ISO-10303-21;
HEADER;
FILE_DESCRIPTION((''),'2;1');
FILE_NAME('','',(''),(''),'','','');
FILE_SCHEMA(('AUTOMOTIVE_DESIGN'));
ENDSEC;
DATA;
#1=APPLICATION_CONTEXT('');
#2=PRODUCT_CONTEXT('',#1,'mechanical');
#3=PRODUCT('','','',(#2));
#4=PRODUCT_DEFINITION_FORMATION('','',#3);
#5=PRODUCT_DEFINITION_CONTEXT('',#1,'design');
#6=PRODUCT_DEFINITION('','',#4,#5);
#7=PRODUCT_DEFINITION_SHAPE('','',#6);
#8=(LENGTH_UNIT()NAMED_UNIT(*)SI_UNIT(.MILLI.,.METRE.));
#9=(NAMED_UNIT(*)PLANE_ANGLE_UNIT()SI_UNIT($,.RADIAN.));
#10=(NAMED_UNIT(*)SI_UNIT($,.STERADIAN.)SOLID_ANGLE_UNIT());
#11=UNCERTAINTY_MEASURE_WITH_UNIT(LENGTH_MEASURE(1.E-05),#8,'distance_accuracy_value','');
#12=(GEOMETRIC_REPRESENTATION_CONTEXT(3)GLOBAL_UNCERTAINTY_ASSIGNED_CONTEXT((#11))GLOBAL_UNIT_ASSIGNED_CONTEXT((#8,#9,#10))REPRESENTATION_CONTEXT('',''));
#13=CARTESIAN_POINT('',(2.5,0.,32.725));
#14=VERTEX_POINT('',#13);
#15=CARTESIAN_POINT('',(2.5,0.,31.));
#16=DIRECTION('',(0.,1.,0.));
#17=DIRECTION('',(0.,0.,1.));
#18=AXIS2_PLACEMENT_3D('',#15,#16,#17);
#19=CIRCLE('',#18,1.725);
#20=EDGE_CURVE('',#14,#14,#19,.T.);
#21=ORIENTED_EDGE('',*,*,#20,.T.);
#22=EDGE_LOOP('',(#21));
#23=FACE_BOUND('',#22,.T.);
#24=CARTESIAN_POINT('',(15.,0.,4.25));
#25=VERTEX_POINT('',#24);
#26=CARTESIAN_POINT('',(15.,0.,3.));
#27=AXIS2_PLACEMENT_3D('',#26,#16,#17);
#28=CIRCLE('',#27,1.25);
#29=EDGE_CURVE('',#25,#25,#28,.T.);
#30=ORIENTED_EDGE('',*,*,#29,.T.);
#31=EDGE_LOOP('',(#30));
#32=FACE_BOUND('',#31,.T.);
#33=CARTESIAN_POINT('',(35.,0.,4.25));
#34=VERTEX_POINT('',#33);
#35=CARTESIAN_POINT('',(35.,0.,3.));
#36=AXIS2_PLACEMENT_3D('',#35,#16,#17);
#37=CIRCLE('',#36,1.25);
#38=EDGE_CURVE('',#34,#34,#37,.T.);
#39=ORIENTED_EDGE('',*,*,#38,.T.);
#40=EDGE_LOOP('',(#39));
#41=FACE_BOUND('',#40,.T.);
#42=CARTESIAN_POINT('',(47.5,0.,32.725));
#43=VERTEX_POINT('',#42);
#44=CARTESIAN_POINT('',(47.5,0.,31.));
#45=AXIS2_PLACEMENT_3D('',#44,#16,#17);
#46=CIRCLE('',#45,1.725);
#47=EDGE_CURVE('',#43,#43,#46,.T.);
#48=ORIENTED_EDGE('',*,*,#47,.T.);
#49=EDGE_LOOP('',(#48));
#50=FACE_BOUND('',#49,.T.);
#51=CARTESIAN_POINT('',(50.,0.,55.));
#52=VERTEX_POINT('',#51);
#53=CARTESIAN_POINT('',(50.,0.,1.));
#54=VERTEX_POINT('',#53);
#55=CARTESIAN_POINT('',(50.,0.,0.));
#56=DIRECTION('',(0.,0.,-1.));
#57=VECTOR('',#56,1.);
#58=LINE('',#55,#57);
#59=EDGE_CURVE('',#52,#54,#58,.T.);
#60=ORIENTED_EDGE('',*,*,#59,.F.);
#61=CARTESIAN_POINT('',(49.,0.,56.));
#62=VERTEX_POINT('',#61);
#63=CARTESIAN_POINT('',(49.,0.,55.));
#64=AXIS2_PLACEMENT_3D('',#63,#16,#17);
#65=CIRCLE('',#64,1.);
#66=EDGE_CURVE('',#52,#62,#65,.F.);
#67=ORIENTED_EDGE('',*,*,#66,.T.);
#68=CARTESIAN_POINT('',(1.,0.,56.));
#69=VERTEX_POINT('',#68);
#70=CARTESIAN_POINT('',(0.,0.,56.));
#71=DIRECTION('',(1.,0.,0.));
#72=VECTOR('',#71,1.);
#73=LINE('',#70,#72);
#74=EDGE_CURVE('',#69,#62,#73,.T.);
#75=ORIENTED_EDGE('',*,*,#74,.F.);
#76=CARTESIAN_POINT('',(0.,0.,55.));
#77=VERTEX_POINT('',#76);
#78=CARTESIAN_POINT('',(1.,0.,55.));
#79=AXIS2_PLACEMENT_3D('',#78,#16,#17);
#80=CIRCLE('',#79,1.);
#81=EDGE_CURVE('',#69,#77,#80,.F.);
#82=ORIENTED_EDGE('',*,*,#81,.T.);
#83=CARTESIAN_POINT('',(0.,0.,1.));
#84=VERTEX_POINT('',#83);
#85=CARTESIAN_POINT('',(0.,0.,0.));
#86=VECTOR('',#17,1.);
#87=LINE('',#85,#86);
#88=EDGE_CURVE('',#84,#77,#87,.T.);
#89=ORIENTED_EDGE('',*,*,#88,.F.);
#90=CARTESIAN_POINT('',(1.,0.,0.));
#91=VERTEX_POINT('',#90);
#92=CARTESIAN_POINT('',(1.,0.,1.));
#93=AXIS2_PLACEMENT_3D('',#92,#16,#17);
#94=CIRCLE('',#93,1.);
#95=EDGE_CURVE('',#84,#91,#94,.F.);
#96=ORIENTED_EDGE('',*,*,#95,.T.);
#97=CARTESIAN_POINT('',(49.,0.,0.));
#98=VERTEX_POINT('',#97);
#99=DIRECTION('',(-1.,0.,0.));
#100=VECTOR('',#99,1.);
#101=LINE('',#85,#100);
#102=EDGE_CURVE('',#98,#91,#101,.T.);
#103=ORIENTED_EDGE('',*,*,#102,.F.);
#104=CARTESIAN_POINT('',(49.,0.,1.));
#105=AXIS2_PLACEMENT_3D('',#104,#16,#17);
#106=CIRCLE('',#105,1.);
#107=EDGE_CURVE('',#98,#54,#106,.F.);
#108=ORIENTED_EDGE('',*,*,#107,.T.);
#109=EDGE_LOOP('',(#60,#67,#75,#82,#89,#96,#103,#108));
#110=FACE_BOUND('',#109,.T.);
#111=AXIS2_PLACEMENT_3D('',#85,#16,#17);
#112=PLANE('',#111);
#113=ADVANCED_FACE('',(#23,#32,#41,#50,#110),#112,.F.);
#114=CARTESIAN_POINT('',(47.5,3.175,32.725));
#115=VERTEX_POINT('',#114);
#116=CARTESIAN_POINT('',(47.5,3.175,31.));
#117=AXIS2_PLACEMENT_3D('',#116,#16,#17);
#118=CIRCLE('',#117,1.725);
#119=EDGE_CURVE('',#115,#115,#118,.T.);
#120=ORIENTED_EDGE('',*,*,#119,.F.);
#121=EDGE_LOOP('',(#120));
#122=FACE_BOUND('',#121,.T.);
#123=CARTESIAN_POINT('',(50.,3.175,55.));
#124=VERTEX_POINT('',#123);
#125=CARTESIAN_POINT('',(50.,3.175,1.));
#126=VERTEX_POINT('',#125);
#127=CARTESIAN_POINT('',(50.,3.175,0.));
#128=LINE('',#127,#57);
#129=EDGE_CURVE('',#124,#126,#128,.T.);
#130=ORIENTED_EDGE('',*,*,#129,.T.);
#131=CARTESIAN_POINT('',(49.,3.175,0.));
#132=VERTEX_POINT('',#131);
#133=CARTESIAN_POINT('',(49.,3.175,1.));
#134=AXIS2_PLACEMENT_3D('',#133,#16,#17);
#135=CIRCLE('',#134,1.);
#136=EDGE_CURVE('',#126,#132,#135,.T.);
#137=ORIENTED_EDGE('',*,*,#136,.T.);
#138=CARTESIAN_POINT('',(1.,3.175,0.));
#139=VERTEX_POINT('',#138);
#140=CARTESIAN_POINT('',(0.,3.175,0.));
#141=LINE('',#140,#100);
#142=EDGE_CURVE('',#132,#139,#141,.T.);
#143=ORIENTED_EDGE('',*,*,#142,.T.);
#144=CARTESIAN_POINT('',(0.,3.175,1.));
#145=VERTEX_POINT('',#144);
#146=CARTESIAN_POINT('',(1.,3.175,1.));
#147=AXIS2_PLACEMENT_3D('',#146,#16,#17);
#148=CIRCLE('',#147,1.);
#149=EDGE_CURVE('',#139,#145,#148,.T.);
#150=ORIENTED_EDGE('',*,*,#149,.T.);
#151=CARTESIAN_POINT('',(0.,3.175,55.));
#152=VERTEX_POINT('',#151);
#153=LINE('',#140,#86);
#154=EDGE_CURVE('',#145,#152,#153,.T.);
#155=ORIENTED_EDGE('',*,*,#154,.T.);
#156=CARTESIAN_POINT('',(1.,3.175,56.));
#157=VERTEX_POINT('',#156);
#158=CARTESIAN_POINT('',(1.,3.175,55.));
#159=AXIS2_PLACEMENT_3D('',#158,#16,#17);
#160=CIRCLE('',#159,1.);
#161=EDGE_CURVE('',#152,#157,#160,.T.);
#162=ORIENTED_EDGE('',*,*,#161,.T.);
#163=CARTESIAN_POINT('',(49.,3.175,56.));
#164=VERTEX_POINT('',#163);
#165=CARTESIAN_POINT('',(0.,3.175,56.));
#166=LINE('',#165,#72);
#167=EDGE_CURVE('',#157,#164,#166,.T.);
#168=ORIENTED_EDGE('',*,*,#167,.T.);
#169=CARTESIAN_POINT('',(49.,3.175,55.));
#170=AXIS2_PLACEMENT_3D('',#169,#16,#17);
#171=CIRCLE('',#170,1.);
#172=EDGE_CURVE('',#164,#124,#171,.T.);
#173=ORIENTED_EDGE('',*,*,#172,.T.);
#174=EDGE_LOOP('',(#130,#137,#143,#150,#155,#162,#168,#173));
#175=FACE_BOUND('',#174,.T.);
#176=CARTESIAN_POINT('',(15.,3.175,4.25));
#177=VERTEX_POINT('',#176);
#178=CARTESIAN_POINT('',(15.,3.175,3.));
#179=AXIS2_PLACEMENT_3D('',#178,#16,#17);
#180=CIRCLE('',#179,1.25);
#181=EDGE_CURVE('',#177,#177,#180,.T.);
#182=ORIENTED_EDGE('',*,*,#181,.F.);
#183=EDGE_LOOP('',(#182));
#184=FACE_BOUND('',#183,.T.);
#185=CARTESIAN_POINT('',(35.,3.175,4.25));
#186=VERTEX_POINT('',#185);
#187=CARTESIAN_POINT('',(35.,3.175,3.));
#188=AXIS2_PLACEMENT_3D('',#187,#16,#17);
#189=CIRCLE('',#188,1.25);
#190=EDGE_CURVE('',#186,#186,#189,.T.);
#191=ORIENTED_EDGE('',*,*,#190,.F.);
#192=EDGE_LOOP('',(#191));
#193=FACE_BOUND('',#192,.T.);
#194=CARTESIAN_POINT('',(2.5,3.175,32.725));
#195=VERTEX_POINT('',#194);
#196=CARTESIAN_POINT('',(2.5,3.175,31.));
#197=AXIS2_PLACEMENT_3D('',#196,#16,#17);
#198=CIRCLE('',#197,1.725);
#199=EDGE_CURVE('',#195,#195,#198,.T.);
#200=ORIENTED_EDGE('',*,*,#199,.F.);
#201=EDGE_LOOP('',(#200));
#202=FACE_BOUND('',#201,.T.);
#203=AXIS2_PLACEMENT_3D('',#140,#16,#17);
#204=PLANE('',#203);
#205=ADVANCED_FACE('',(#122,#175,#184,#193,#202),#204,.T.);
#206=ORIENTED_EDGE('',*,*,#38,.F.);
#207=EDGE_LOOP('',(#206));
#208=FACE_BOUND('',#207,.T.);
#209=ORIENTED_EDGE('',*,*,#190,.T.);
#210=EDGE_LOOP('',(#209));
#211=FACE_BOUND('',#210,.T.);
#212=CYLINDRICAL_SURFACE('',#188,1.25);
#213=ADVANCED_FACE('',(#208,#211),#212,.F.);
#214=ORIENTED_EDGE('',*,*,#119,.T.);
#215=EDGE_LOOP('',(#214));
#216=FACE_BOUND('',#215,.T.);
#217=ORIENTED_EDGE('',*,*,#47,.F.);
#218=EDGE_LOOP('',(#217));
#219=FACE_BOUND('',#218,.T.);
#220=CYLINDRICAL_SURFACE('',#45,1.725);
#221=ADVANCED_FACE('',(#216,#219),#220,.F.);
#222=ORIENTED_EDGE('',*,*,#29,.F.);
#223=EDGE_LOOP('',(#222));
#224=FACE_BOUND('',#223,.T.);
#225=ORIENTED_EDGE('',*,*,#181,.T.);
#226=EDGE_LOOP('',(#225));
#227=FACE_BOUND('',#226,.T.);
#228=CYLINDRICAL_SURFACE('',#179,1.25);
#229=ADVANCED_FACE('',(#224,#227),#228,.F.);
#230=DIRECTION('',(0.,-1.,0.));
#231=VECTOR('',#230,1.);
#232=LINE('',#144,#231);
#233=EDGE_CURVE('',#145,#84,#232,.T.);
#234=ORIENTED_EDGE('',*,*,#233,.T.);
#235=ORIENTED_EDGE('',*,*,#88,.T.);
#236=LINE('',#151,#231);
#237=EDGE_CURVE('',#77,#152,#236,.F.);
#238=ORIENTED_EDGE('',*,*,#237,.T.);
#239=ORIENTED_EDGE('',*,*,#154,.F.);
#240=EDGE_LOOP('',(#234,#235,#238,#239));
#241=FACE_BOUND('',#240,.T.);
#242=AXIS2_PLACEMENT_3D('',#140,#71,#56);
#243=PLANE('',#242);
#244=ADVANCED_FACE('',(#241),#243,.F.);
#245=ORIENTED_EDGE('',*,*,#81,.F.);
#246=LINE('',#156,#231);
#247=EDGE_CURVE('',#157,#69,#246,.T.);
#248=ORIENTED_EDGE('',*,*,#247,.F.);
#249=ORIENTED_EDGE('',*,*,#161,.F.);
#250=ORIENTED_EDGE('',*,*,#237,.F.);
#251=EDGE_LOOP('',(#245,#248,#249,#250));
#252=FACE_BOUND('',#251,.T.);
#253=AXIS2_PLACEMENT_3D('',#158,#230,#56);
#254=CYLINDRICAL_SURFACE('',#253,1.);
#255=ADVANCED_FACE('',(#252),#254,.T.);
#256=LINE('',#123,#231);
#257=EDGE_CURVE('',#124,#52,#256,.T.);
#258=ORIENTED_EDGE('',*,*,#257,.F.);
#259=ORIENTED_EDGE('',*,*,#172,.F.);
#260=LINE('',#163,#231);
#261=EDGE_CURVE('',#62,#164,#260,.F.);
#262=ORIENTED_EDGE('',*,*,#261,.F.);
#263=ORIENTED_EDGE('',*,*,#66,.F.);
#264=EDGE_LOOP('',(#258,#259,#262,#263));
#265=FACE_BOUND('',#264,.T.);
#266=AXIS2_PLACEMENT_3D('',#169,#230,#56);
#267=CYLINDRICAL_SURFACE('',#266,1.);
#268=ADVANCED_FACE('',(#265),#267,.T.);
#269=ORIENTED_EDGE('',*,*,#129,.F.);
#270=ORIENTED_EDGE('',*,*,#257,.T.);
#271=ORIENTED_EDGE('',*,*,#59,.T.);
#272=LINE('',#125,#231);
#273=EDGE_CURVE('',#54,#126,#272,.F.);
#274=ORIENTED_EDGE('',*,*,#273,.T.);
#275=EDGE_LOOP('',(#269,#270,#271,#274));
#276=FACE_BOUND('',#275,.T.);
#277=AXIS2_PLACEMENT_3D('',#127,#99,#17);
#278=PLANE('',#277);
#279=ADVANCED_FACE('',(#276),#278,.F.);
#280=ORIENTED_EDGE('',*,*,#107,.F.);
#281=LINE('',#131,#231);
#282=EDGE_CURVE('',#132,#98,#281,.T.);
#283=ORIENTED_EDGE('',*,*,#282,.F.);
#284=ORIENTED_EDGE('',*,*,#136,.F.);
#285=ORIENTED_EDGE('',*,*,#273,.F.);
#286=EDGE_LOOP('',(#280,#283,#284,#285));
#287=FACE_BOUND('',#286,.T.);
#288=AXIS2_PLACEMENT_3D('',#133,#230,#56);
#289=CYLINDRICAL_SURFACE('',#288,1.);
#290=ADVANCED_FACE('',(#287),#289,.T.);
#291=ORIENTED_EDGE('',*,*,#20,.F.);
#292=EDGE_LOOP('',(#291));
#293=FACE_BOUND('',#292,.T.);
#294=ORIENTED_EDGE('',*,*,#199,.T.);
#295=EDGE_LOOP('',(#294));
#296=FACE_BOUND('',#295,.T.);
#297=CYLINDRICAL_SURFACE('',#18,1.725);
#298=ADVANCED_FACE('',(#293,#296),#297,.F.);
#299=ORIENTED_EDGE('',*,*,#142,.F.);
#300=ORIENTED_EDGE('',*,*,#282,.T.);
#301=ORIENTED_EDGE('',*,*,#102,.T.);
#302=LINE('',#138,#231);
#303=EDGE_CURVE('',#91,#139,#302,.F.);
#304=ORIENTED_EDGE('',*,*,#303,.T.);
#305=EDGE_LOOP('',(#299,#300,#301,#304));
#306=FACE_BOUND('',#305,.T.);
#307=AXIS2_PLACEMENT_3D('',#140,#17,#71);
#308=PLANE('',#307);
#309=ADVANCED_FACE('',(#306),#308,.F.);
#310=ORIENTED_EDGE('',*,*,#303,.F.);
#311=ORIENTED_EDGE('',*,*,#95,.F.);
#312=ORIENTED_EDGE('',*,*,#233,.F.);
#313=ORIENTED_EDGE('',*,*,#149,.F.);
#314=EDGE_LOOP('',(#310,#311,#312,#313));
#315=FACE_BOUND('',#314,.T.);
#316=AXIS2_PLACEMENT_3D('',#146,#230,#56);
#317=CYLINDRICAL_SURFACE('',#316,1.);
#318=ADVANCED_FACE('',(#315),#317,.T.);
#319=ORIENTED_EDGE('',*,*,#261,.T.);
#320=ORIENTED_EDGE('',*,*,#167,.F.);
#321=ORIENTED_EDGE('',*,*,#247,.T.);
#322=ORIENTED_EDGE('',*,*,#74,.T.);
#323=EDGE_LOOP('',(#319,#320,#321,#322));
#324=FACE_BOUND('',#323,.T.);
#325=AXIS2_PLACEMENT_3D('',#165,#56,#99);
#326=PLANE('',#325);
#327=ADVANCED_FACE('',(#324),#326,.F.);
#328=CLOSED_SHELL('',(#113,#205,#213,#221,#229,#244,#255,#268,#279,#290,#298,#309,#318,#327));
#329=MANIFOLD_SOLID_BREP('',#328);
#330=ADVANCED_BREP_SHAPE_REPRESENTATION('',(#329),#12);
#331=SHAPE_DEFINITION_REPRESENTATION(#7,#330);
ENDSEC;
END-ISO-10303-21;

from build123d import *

# Parameters (mm, degrees)
SKETCH1_W               = 50
SKETCH1_H               = 56
SKETCH1_R               = 1.1
BOSS_EXTRUDE1_DEPTH     = 3.175
FILLET1_R               = 1
M3X0_5_TAPPED_HOLE1_D   = 2.5
CUT_EXTRUDE1_DEPTH      = 76.140406074
CUT_EXTRUDE1_DEPTH_BACK = 76.140406074
SKETCH3_R               = 1.725


with BuildPart() as part:
    # Sketch1 → Boss-Extrude1 (new body)
    with BuildSketch(Plane(origin=(0, 0, 0), x_dir=(1, 0, 0), z_dir=(0, 1, 0))):
        with Locations((25, -28)):
            Rectangle(SKETCH1_W, SKETCH1_H)
        with Locations(Location((15, -3, 0), (0, 0, 270))):
            Circle(SKETCH1_R, mode=Mode.SUBTRACT)
        with Locations(Location((35, -3, 0), (0, 0, 270))):
            Circle(SKETCH1_R, mode=Mode.SUBTRACT)
    extrude(amount=BOSS_EXTRUDE1_DEPTH)

    # Fillet1
    fillet1_edges = [part.edges().sort_by_distance(p)[0] for p in [
        (0, 1.5875, 0),
        (50, 1.5875, 0),
        (50, 1.5875, 56),
        (0, 1.5875, 56),
    ]]
    fillet(fillet1_edges, radius=FILLET1_R)

    # M3x0.5 Tapped Hole1 (through all)
    with Locations(Plane(origin=(15, 3.175, 3), x_dir=(0, 0, 1), z_dir=(0, 1, 0))):
        with Locations((0, 0), (0, 20)):
            Hole(M3X0_5_TAPPED_HOLE1_D / 2)

    # Sketch3 → Cut-Extrude1 (cut, two sides: drawn at the far end of the back side and taken through both)
    with BuildSketch(Plane(origin=(0, 3.175, 0), x_dir=(1, 0, 0), z_dir=(0, 1, 0)).offset(-CUT_EXTRUDE1_DEPTH_BACK)):
        with Locations(Location((2.5, -31, 0), (0, 0, 270))):
            Circle(SKETCH3_R)
        with Locations(Location((47.5, -31, 0), (0, 0, 270))):
            Circle(SKETCH3_R)
    extrude(amount=CUT_EXTRUDE1_DEPTH + CUT_EXTRUDE1_DEPTH_BACK, mode=Mode.SUBTRACT)


solid = part.part
